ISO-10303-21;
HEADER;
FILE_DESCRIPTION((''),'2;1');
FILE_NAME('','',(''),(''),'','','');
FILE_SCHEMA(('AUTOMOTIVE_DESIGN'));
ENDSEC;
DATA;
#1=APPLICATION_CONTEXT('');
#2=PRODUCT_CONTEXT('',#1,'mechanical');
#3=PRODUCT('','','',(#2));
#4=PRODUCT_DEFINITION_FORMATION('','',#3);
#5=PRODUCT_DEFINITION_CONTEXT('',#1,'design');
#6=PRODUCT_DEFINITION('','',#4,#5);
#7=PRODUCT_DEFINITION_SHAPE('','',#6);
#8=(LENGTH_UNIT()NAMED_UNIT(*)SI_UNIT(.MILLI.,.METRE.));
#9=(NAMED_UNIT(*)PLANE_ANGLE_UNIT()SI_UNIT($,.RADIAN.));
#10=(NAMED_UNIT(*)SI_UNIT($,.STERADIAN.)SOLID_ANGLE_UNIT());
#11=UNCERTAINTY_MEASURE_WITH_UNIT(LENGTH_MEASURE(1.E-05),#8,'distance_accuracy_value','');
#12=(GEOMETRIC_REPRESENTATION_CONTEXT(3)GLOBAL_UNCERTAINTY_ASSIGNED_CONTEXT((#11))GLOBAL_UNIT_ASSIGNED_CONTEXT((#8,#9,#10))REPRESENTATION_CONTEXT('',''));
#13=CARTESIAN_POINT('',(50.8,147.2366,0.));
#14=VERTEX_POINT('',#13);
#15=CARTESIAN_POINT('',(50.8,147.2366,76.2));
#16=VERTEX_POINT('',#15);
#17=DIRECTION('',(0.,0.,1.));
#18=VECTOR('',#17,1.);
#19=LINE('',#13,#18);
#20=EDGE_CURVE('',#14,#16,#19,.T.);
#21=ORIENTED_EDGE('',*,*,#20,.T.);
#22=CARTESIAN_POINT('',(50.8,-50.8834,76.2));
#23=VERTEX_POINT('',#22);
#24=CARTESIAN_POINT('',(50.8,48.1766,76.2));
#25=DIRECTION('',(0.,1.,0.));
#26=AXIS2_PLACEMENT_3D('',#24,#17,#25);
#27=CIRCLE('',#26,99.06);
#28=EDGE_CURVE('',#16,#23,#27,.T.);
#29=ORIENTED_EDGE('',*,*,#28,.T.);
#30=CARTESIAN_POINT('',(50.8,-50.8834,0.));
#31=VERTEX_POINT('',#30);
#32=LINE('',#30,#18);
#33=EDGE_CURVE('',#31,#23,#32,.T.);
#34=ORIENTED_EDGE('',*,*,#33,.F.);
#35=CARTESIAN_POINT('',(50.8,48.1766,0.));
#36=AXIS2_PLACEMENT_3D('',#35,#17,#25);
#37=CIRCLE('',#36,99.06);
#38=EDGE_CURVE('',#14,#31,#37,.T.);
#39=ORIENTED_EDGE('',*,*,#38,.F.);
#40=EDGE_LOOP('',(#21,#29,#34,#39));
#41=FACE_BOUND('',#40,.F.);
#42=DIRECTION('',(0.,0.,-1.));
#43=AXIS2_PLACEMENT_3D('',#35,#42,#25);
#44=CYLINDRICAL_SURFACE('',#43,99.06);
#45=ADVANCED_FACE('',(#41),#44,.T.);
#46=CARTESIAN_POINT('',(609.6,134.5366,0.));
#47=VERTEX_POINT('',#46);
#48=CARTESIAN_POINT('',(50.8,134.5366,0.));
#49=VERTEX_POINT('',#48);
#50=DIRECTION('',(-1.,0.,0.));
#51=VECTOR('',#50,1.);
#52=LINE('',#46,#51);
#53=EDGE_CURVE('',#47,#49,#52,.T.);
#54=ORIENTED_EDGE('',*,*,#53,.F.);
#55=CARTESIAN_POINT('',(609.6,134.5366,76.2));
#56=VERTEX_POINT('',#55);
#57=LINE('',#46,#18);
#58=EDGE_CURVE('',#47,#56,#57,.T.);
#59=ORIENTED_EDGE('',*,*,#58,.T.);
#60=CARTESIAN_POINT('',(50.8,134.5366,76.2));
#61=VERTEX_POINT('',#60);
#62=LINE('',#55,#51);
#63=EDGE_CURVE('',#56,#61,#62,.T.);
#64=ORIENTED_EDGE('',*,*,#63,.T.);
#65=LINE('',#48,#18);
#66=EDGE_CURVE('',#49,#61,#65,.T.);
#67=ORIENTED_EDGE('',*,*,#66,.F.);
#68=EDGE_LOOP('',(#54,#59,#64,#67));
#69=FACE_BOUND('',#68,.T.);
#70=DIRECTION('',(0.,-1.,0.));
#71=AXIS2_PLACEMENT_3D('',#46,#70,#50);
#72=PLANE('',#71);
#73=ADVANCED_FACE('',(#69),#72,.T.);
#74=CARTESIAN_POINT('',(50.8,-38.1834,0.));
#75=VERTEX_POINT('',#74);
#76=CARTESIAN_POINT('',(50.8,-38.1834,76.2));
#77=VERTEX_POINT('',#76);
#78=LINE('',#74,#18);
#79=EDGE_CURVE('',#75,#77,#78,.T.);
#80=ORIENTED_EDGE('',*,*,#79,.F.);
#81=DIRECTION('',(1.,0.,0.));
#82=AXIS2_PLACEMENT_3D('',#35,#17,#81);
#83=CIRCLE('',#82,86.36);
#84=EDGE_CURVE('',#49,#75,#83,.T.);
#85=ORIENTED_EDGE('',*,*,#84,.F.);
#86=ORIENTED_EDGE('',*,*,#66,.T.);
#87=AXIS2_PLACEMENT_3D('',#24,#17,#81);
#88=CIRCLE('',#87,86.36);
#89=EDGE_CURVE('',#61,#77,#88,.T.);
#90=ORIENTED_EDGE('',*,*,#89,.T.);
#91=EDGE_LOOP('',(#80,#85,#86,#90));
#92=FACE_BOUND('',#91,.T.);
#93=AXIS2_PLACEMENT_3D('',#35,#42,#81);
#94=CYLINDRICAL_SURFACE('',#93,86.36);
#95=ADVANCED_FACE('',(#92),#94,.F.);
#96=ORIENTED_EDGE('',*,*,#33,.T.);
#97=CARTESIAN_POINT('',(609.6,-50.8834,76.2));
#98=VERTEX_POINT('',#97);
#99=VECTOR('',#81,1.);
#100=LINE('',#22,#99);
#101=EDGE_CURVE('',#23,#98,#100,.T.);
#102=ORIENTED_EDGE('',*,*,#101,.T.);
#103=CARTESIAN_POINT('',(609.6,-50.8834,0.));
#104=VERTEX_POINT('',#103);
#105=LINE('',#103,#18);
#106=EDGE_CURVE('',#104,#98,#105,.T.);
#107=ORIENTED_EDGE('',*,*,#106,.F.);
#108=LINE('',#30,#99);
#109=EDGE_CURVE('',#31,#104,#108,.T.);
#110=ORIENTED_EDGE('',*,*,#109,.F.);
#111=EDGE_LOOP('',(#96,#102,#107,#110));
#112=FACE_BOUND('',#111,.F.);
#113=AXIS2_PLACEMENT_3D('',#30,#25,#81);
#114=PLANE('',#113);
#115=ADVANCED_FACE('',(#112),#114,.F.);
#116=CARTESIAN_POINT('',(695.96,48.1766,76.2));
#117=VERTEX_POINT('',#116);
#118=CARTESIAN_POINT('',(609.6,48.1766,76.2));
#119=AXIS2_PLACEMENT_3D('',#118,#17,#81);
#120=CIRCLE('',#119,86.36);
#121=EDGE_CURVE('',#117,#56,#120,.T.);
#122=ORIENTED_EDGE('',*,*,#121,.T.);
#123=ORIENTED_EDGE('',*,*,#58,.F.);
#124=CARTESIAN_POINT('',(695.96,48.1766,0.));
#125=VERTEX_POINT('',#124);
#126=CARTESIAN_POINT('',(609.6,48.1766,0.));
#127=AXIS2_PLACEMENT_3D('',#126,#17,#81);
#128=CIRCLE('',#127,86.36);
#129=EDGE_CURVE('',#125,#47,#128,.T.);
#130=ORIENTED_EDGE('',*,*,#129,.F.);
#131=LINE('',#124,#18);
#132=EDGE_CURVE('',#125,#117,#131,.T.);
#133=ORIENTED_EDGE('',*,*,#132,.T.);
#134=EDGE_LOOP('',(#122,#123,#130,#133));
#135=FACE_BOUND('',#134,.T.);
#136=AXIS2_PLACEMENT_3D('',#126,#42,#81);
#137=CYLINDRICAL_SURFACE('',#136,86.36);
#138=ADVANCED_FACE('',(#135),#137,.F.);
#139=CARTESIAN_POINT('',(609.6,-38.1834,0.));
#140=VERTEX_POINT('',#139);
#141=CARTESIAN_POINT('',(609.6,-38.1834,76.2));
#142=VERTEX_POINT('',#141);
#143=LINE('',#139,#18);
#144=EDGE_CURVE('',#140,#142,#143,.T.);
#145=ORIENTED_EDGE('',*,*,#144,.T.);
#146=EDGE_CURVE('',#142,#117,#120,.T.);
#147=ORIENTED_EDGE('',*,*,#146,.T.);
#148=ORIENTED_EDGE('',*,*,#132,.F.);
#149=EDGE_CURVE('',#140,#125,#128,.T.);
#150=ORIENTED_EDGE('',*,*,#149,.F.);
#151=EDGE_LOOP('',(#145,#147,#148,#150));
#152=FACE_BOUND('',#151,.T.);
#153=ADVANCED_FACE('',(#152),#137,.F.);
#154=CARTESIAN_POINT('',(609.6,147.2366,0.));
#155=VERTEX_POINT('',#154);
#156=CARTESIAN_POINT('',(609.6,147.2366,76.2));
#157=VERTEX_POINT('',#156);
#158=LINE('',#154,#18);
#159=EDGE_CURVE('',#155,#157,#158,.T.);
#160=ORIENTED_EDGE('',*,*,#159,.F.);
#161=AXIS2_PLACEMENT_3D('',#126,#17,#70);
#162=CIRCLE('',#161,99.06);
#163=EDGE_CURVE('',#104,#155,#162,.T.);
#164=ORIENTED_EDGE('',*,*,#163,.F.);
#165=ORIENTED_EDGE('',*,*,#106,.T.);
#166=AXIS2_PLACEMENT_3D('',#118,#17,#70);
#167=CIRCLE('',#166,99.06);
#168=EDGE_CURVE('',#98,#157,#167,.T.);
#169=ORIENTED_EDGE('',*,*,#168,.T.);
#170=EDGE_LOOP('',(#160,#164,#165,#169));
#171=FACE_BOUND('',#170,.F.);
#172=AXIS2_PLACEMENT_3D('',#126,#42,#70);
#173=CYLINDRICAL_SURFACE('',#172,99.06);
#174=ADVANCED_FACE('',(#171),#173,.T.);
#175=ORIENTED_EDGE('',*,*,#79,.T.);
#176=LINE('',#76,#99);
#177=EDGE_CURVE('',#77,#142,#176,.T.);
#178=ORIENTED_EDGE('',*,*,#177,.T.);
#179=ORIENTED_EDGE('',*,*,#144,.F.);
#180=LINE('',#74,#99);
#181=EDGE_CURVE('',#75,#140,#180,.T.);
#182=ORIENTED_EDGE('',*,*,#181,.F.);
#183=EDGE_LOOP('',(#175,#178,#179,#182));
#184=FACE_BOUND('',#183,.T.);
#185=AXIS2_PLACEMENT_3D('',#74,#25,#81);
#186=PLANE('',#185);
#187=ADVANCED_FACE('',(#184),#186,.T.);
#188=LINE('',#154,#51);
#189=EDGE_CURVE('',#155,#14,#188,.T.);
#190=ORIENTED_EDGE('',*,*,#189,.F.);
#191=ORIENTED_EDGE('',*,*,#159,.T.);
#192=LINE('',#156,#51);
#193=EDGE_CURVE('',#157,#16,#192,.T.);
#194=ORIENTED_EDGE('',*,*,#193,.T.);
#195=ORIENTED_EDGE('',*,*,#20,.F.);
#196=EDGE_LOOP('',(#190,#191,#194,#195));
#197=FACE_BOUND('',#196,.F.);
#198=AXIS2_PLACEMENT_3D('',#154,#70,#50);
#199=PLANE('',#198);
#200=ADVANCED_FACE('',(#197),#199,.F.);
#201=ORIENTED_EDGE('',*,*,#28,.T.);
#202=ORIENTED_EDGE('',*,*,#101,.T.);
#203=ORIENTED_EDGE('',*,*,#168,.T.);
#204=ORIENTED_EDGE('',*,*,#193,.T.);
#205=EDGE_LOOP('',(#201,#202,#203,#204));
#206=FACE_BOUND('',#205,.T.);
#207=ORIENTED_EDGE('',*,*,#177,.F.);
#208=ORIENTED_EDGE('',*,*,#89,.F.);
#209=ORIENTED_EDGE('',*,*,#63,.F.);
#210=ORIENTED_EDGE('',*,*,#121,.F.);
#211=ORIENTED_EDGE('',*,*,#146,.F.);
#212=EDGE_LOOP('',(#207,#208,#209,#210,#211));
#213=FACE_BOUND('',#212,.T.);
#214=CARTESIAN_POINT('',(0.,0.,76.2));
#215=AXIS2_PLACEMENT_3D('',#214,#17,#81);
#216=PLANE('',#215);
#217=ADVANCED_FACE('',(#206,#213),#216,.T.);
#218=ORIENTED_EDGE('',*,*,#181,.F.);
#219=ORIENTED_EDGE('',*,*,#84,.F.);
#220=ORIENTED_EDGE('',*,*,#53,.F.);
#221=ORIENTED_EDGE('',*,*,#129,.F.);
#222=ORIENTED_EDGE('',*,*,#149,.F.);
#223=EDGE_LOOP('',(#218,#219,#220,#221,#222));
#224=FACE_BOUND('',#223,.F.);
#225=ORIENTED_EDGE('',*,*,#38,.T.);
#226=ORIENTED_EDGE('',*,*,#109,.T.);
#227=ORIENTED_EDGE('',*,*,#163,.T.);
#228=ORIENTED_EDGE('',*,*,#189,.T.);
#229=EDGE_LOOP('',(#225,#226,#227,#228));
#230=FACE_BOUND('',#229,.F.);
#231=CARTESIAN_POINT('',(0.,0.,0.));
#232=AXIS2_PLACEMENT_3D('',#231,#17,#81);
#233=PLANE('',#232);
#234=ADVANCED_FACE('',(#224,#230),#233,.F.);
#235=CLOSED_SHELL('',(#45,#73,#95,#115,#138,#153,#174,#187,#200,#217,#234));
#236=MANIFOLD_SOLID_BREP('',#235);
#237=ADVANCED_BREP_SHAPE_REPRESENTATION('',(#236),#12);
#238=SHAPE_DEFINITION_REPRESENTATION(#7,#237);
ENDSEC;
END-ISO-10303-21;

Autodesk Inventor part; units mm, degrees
ref_plane "YZ Plane" through (0, 0, 0) normal (1, 0, 0) x (0, 1, 0)
ref_plane "XZ Plane" through (0, 0, 0) normal (0, 1, 0) x (-1, 0, 0)
ref_plane "XY Plane" through (0, 0, 0) normal (0, 0, 1) x (1, 0, 0)
sketch "Chassis" plane through (0, 0, 0) normal (0, 0, 1) x (1, 0, 0)
  line L0 (0, 0) -> (660.4, 0) construction
  line L1 (660.4, 0) -> (660.4, 152.4) construction
  line L2 (660.4, 152.4) -> (0, 152.4) construction
  line L3 (0, 152.4) -> (0, 0) construction
  line L4 (50.8, 127) -> (609.6, 127) construction
  line L5 (635, 101.6) -> (635, 50.8) construction
  line L6 (609.6, 25.4) -> (50.8, 25.4) construction
  line L7 (25.4, 50.8) -> (25.4, 101.6) construction
  arc A0 (50.8, 127) -> (25.4, 101.6) centre (50.8, 101.6) ccw construction
  arc A1 (25.4, 50.8) -> (50.8, 25.4) centre (50.8, 50.8) ccw construction
  arc A2 (609.6, 25.4) -> (635, 50.8) centre (609.6, 50.8) ccw construction
  arc A3 (635, 101.6) -> (609.6, 127) centre (609.6, 101.6) ccw construction
  dimension "d0" = 660.4
  dimension "d1" = 152.4
  dimension "d3" = 25.4
  dimension "d4" = 25.4
sketch "Motor and motor mount" plane through (0, 0, 0) normal (0, 0, 1) x (1, 0, 0)
  line L0 (152.5322, 25.4) -> (519.6657, 25.4) construction
  line L1 (519.6657, 25.4) -> (519.6657, 127) construction
  line L2 (519.6657, 127) -> (152.5322, 127) construction
  line L3 (152.5322, 127) -> (152.5322, 25.4) construction
  line L4 (152.5322, 31.75) -> (519.6657, 31.75) construction
  line L5 (168.5983, 31.75) -> (502.5549, 31.75) construction
  line L6 (502.5549, 31.75) -> (502.5549, 131.1076) construction
  line L7 (502.5549, 131.1076) -> (168.5983, 131.1076) construction
  line L8 (168.5983, 131.1076) -> (168.5983, 31.75) construction
  circle A0 centre (459.6569, 62.4006) radius 45.974 construction
  line L9 (50.8, 127) -> (609.6, 127) construction
  line L10 (168.5983, 121.0746) -> (502.5549, 121.0746) construction
  line L11 (76.2661, 152.2106) -> (76.2661, 127) construction
  line L12 (0, 152.4) -> (0, 0) construction
  line L13 (609.6, 25.4) -> (50.8, 25.4) construction
  circle A1 centre (459.6569, 62.4006) radius 6.35 construction
  point P0 (76.2661, 139.6053)
  dimension "d5" = 367.1334
  dimension "d6" = 101.6
  dimension "d8" = 6.35
  dimension "d9" = 333.9566
  dimension "d10" = 17.1108
  dimension "d12" = 42.898
  dimension "d14" = 4.1076
  dimension "d15" = 5.9254
  dimension "d16" = 58.674
  dimension "d17" = 76.2661
  dimension "d18" = 76.2661
  dimension "d19" = 91.948
  dimension "d20" = 12.7
sketch "Flipper drive rails" plane through (0, 0, 0) normal (0, 0, 1) x (1, 0, 0)
  circle A0 centre (609.6, 48.1766) radius 12.7 construction
  line L0 (660.4, 0) -> (660.4, 152.4) construction
  line L1 (0, 0) -> (660.4, 0) construction
  circle A1 centre (50.8, 48.1766) radius 12.7 construction
  line L2 (0, 152.4) -> (0, 0) construction
  circle A2 centre (50.8, 48.1766) radius 58.166 construction
  circle A3 centre (609.6, 48.1766) radius 58.166 construction
  circle A4 centre (459.6569, 62.4006) radius 45.974 construction
  dimension "d21" = 25.4
  dimension "d22" = 50.8
  dimension "d24" = 25.4
  dimension "d25" = 50.8
  dimension "d27" = 116.332
  dimension "d28" = 116.332
  dimension "d49" = 14.224
sketch "Flipper Gears" plane through (0, 0, 0) normal (0, 0, 1) x (1, 0, 0)
  circle A0 centre (172.9676, 98.1053) radius 29.845 construction
  circle A1 centre (217.0566, 68.0834) radius 23.495 construction
  circle A2 centre (132.7629, 49.7774) radius 33.02 construction
  circle A3 centre (132.7629, 49.7774) radius 23.8125 construction
  circle A4 centre (50.8, 48.1766) radius 58.166 construction
  circle A5 centre (609.6, 48.1766) radius 12.7 construction
  circle A6 centre (609.6, 48.1766) radius 86.36 construction
  circle A7 centre (502.1097, 24.0144) radius 23.8125 construction
  circle A8 centre (502.1097, 24.0144) radius 33.02 construction
  circle A9 centre (447.4639, 55.0924) radius 29.845 construction
  circle A10 centre (410.72, 16.4266) radius 23.495 construction
  line L0 (253.1246, 92.8334) -> (396.8286, 92.8334) construction
  line L1 (396.8286, 92.8334) -> (396.8286, 43.3334) construction
  line L2 (396.8286, 43.3334) -> (253.1246, 43.3334) construction
  line L3 (253.1246, 43.3334) -> (253.1246, 92.8334) construction
  line L4 (374.652, 16.4266) -> (410.72, 16.4266) construction
  line L5 (217.0566, 68.0834) -> (253.1246, 68.0834) construction
  line L6 (230.948, 41.1766) -> (374.652, 41.1766) construction
  line L7 (374.652, 41.1766) -> (374.652, -8.3234) construction
  line L8 (374.652, -8.3234) -> (230.948, -8.3234) construction
  line L9 (230.948, -8.3234) -> (230.948, 41.1766) construction
  circle A11 centre (50.8, 48.1766) radius 86.36 construction
  line L10 (50.8, 48.1766) -> (609.6, 48.1766) construction
  line L11 (50.8, -50.8834) -> (609.6, -50.8834) construction
  line L12 (609.6, 147.2366) -> (50.8, 147.2366) construction
  arc A12 (50.8, 147.2366) -> (50.8, -50.8834) centre (50.8, 48.1766) ccw construction
  arc A13 (609.6, -50.8834) -> (609.6, 147.2366) centre (609.6, 48.1766) ccw construction
  circle A14 centre (50.8, 48.1766) radius 99.06 construction
  line L13 (50.8, 48.1766) -> (609.6, 48.1766) construction
  line L14 (50.8, -38.1834) -> (609.6, -38.1834) construction
  line L15 (609.6, 134.5366) -> (50.8, 134.5366) construction
  arc A15 (50.8, 134.5366) -> (50.8, -38.1834) centre (50.8, 48.1766) ccw construction
  arc A16 (609.6, -38.1834) -> (609.6, 134.5366) centre (609.6, 48.1766) ccw construction
  point P0 (0, 0)
  point P1 (330.2, 48.1766)
  point P2 (330.2, 48.1766)
  dimension "d29" = 59.69
  dimension "d30" = 46.99
  dimension "d31" = 66.04
  dimension "d32" = 47.625
  dimension "d34" = 172.72
  dimension "d35" = 47.625
  dimension "d36" = 66.04
  dimension "d37" = 59.69
  dimension "d38" = 46.99
  dimension "d39" = 143.704
  dimension "d40" = 49.5
  dimension "d43" = 36.068
  dimension "d48" = 24.1623
  dimension "d50" = 31.75
  dimension "d51" = 38.6658
  dimension "d52" = 143.704
  dimension "d53" = 49.5
  dimension "d54" = 36.068
  dimension "d55" = 51.6568
  dimension "d60" = 172.72
  dimension "d62" = 12.7
sketch "Flipper" plane through (0, 0, 0) normal (0, 0, 1) x (1, 0, 0)
  circle A0 centre (50.8, 48.1766) radius 63.5 construction
  circle A1 centre (-195.1482, 3.0916) radius 41.275 construction
  circle A2 centre (50.8, 48.1766) radius 86.36 construction
  line L0 (-195.1482, -38.1834) -> (50.8, -38.1834) construction
  point P0 (0, 0)
  point P1 (609.6, 48.1766)
  dimension "d57" = 82.55
  dimension "d58" = 172.72
  dimension "d56" = 127
  dimension "d59" = 245.9482
sketch "Sketch6" plane through (0, 0, 0) normal (0, 0, 1) x (1, 0, 0)
  line L0 (609.6, 147.2366) -> (50.8, 147.2366) projected
  arc A0 (50.8, 147.2366) -> (50.8, -50.8834) centre (50.8, 48.1766) ccw projected
  line L1 (609.6, 134.5366) -> (50.8, 134.5366) projected
  circle A1 centre (50.8, 48.1766) radius 86.36 projected
  line L2 (50.8, -38.1834) -> (609.6, -38.1834) projected
  line L3 (50.8, -50.8834) -> (609.6, -50.8834) projected
  arc A2 (609.6, -50.8834) -> (609.6, 147.2366) centre (609.6, 48.1766) ccw projected
  circle A3 centre (609.6, 48.1766) radius 86.36 projected
  point P0 (0, 0)
extrude "Extrusion1" add sketch "Sketch6" along normal blind 76.2
properties part number "MasterSketch"
